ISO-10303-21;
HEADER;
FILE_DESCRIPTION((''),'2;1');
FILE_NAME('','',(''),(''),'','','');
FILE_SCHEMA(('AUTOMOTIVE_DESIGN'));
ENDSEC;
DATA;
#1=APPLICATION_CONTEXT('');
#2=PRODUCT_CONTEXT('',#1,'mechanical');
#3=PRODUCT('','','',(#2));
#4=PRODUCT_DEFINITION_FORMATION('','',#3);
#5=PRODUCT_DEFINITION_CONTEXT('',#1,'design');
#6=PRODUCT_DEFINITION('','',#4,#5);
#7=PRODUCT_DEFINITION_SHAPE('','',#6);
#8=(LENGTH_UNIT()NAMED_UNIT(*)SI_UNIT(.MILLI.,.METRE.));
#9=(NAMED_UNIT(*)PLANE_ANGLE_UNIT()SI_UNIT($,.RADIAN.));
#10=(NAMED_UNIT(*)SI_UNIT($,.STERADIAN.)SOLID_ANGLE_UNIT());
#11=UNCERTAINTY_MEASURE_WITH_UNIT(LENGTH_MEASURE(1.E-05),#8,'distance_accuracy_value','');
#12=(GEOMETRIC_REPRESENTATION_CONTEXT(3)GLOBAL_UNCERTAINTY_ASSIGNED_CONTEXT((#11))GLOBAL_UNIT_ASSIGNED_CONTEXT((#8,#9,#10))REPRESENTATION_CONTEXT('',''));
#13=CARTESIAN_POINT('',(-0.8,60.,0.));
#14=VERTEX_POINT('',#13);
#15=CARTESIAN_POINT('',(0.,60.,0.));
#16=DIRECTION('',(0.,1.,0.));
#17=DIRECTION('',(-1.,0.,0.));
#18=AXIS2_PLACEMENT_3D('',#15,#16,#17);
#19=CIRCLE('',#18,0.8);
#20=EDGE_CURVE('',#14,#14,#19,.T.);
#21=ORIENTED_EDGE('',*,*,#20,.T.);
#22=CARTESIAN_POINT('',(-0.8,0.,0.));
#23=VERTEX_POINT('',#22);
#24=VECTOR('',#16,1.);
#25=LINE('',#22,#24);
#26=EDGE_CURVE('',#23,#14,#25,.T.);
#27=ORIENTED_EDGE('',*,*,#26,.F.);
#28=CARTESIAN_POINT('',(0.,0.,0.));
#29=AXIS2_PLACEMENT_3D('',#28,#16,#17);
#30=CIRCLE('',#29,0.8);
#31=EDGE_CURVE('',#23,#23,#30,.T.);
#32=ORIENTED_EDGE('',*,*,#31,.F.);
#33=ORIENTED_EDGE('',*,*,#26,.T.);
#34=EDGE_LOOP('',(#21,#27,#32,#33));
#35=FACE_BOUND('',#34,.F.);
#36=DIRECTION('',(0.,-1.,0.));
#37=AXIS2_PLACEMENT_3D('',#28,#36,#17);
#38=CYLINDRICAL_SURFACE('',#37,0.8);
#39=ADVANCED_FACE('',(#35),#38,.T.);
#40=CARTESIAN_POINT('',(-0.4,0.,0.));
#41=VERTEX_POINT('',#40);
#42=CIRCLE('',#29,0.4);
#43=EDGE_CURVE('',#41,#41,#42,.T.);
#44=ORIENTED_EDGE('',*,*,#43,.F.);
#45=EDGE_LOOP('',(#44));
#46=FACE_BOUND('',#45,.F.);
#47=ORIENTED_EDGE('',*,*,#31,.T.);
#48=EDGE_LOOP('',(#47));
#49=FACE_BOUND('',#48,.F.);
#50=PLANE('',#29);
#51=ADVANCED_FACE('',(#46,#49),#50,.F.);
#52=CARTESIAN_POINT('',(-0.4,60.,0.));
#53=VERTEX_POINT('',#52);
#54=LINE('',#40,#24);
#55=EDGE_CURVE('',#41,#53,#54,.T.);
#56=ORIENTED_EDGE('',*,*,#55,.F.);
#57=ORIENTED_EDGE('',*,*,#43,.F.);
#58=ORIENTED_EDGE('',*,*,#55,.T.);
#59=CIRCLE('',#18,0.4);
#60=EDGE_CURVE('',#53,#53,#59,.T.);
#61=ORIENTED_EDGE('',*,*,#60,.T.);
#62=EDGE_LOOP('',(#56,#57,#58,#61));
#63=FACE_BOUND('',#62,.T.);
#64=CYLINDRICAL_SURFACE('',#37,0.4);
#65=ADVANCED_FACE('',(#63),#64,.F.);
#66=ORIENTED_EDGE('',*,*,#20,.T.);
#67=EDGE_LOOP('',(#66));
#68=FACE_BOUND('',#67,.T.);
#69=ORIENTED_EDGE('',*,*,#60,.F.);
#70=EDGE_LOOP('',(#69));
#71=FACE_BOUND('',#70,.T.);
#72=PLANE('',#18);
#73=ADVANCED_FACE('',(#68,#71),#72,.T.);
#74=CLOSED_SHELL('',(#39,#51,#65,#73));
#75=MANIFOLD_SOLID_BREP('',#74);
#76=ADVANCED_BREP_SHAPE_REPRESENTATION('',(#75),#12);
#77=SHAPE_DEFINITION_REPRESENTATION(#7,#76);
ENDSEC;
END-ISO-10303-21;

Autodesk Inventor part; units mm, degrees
ref_plane "YZ Plane" through (0, 0, 0) normal (1, 0, 0) x (0, 1, 0)
ref_plane "XZ Plane" through (0, 0, 0) normal (0, 1, 0) x (-1, 0, 0)
ref_plane "XY Plane" through (0, 0, 0) normal (0, 0, 1) x (1, 0, 0)
sketch "Sketch1" plane through (0, 0, 0) normal (0, 1, 0) x (-1, 0, 0)
  circle A0 centre (0, 0) radius 0.4
  circle A1 centre (0, 0) radius 0.8
  dimension "d0" = 0.8
  dimension "d1" = 1.6
extrude "Extrusion1" add sketch "Sketch1" along normal blind 60
properties part number "bw_tube_0.8_1.6"
